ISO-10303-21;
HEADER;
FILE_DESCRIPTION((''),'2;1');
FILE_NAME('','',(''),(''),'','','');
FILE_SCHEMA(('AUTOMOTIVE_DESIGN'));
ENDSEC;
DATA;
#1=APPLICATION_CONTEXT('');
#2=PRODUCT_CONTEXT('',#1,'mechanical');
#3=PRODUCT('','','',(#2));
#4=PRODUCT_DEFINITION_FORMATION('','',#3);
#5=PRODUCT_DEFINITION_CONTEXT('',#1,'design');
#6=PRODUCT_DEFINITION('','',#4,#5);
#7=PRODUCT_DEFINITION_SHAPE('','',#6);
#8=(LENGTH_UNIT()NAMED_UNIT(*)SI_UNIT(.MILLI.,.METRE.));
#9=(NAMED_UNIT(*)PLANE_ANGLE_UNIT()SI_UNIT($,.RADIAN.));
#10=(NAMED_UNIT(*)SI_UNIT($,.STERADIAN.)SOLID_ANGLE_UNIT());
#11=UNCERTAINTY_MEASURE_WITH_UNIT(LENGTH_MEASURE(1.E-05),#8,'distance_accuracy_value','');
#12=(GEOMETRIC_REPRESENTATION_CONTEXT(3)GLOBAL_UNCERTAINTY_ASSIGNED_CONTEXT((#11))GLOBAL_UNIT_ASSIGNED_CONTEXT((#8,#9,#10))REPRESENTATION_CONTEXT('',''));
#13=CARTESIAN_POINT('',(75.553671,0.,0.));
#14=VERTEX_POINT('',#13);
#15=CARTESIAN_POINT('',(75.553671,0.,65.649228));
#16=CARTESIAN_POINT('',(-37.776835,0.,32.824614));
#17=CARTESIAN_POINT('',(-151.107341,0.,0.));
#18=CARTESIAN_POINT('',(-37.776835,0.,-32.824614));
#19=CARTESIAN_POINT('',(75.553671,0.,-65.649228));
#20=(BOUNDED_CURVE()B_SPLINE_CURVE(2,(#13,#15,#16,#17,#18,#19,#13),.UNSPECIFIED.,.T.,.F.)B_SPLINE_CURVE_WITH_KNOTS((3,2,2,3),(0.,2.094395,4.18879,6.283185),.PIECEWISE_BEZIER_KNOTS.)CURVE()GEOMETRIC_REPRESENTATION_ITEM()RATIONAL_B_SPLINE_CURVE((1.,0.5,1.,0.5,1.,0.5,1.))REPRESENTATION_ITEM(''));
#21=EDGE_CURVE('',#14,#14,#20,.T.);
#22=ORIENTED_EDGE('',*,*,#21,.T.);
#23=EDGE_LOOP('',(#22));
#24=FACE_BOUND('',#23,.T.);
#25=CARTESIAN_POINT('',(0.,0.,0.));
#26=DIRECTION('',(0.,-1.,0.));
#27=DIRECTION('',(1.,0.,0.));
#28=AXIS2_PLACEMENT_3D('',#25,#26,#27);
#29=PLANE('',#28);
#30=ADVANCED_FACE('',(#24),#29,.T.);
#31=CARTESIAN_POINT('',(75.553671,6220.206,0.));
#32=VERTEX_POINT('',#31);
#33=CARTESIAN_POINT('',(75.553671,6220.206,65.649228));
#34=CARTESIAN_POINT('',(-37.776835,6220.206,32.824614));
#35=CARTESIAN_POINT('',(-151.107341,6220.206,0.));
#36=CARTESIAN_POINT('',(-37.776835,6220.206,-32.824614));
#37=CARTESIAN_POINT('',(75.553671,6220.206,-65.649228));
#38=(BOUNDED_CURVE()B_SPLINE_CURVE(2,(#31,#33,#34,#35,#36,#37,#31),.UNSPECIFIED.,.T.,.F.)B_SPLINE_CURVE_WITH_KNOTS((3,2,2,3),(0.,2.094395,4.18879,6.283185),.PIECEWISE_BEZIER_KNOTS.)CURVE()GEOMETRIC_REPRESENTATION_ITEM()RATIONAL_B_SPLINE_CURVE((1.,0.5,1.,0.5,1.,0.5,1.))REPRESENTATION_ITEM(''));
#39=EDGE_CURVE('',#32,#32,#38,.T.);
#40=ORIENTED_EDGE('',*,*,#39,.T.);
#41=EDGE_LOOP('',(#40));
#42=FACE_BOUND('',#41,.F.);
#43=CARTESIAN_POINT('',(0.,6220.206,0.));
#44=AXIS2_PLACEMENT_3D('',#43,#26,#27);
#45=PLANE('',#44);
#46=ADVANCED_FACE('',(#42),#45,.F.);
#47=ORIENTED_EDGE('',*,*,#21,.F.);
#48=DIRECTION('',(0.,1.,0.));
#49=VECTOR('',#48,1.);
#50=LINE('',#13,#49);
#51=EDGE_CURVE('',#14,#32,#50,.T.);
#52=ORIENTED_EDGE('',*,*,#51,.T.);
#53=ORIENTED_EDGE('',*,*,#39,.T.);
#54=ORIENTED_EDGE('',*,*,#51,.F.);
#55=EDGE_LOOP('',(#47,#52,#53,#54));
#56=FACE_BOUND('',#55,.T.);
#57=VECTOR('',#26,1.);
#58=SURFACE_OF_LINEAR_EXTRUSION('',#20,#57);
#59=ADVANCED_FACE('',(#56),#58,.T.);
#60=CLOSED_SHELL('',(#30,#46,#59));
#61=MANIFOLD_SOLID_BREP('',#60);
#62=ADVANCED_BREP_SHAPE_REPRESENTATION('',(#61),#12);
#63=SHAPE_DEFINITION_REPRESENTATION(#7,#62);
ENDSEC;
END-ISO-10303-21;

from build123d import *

# Parameters (mm, degrees)
F1_DEPTH = 6220.206


with BuildPart() as f1:
    # F0 (on Front) → F1 (new body)
    with BuildSketch(Plane.XZ):
        with BuildLine():
            add(Edge.make_bspline(
                [(75.553671, 0), (75.553671, 65.649228), (-37.776835, 32.824614), (-151.107341, 0), (-37.776835, -32.824614), (75.553671, -65.649228), (75.553671, 0)],
                knots=[0, 0, 0, 2.094395, 2.094395, 4.18879, 4.18879, 6.283185, 6.283185, 6.283185], degree=2, weights=[1, 0.5, 1, 0.5, 1, 0.5, 1]))
        make_face()
    extrude(amount=-F1_DEPTH)


solid = f1.part
